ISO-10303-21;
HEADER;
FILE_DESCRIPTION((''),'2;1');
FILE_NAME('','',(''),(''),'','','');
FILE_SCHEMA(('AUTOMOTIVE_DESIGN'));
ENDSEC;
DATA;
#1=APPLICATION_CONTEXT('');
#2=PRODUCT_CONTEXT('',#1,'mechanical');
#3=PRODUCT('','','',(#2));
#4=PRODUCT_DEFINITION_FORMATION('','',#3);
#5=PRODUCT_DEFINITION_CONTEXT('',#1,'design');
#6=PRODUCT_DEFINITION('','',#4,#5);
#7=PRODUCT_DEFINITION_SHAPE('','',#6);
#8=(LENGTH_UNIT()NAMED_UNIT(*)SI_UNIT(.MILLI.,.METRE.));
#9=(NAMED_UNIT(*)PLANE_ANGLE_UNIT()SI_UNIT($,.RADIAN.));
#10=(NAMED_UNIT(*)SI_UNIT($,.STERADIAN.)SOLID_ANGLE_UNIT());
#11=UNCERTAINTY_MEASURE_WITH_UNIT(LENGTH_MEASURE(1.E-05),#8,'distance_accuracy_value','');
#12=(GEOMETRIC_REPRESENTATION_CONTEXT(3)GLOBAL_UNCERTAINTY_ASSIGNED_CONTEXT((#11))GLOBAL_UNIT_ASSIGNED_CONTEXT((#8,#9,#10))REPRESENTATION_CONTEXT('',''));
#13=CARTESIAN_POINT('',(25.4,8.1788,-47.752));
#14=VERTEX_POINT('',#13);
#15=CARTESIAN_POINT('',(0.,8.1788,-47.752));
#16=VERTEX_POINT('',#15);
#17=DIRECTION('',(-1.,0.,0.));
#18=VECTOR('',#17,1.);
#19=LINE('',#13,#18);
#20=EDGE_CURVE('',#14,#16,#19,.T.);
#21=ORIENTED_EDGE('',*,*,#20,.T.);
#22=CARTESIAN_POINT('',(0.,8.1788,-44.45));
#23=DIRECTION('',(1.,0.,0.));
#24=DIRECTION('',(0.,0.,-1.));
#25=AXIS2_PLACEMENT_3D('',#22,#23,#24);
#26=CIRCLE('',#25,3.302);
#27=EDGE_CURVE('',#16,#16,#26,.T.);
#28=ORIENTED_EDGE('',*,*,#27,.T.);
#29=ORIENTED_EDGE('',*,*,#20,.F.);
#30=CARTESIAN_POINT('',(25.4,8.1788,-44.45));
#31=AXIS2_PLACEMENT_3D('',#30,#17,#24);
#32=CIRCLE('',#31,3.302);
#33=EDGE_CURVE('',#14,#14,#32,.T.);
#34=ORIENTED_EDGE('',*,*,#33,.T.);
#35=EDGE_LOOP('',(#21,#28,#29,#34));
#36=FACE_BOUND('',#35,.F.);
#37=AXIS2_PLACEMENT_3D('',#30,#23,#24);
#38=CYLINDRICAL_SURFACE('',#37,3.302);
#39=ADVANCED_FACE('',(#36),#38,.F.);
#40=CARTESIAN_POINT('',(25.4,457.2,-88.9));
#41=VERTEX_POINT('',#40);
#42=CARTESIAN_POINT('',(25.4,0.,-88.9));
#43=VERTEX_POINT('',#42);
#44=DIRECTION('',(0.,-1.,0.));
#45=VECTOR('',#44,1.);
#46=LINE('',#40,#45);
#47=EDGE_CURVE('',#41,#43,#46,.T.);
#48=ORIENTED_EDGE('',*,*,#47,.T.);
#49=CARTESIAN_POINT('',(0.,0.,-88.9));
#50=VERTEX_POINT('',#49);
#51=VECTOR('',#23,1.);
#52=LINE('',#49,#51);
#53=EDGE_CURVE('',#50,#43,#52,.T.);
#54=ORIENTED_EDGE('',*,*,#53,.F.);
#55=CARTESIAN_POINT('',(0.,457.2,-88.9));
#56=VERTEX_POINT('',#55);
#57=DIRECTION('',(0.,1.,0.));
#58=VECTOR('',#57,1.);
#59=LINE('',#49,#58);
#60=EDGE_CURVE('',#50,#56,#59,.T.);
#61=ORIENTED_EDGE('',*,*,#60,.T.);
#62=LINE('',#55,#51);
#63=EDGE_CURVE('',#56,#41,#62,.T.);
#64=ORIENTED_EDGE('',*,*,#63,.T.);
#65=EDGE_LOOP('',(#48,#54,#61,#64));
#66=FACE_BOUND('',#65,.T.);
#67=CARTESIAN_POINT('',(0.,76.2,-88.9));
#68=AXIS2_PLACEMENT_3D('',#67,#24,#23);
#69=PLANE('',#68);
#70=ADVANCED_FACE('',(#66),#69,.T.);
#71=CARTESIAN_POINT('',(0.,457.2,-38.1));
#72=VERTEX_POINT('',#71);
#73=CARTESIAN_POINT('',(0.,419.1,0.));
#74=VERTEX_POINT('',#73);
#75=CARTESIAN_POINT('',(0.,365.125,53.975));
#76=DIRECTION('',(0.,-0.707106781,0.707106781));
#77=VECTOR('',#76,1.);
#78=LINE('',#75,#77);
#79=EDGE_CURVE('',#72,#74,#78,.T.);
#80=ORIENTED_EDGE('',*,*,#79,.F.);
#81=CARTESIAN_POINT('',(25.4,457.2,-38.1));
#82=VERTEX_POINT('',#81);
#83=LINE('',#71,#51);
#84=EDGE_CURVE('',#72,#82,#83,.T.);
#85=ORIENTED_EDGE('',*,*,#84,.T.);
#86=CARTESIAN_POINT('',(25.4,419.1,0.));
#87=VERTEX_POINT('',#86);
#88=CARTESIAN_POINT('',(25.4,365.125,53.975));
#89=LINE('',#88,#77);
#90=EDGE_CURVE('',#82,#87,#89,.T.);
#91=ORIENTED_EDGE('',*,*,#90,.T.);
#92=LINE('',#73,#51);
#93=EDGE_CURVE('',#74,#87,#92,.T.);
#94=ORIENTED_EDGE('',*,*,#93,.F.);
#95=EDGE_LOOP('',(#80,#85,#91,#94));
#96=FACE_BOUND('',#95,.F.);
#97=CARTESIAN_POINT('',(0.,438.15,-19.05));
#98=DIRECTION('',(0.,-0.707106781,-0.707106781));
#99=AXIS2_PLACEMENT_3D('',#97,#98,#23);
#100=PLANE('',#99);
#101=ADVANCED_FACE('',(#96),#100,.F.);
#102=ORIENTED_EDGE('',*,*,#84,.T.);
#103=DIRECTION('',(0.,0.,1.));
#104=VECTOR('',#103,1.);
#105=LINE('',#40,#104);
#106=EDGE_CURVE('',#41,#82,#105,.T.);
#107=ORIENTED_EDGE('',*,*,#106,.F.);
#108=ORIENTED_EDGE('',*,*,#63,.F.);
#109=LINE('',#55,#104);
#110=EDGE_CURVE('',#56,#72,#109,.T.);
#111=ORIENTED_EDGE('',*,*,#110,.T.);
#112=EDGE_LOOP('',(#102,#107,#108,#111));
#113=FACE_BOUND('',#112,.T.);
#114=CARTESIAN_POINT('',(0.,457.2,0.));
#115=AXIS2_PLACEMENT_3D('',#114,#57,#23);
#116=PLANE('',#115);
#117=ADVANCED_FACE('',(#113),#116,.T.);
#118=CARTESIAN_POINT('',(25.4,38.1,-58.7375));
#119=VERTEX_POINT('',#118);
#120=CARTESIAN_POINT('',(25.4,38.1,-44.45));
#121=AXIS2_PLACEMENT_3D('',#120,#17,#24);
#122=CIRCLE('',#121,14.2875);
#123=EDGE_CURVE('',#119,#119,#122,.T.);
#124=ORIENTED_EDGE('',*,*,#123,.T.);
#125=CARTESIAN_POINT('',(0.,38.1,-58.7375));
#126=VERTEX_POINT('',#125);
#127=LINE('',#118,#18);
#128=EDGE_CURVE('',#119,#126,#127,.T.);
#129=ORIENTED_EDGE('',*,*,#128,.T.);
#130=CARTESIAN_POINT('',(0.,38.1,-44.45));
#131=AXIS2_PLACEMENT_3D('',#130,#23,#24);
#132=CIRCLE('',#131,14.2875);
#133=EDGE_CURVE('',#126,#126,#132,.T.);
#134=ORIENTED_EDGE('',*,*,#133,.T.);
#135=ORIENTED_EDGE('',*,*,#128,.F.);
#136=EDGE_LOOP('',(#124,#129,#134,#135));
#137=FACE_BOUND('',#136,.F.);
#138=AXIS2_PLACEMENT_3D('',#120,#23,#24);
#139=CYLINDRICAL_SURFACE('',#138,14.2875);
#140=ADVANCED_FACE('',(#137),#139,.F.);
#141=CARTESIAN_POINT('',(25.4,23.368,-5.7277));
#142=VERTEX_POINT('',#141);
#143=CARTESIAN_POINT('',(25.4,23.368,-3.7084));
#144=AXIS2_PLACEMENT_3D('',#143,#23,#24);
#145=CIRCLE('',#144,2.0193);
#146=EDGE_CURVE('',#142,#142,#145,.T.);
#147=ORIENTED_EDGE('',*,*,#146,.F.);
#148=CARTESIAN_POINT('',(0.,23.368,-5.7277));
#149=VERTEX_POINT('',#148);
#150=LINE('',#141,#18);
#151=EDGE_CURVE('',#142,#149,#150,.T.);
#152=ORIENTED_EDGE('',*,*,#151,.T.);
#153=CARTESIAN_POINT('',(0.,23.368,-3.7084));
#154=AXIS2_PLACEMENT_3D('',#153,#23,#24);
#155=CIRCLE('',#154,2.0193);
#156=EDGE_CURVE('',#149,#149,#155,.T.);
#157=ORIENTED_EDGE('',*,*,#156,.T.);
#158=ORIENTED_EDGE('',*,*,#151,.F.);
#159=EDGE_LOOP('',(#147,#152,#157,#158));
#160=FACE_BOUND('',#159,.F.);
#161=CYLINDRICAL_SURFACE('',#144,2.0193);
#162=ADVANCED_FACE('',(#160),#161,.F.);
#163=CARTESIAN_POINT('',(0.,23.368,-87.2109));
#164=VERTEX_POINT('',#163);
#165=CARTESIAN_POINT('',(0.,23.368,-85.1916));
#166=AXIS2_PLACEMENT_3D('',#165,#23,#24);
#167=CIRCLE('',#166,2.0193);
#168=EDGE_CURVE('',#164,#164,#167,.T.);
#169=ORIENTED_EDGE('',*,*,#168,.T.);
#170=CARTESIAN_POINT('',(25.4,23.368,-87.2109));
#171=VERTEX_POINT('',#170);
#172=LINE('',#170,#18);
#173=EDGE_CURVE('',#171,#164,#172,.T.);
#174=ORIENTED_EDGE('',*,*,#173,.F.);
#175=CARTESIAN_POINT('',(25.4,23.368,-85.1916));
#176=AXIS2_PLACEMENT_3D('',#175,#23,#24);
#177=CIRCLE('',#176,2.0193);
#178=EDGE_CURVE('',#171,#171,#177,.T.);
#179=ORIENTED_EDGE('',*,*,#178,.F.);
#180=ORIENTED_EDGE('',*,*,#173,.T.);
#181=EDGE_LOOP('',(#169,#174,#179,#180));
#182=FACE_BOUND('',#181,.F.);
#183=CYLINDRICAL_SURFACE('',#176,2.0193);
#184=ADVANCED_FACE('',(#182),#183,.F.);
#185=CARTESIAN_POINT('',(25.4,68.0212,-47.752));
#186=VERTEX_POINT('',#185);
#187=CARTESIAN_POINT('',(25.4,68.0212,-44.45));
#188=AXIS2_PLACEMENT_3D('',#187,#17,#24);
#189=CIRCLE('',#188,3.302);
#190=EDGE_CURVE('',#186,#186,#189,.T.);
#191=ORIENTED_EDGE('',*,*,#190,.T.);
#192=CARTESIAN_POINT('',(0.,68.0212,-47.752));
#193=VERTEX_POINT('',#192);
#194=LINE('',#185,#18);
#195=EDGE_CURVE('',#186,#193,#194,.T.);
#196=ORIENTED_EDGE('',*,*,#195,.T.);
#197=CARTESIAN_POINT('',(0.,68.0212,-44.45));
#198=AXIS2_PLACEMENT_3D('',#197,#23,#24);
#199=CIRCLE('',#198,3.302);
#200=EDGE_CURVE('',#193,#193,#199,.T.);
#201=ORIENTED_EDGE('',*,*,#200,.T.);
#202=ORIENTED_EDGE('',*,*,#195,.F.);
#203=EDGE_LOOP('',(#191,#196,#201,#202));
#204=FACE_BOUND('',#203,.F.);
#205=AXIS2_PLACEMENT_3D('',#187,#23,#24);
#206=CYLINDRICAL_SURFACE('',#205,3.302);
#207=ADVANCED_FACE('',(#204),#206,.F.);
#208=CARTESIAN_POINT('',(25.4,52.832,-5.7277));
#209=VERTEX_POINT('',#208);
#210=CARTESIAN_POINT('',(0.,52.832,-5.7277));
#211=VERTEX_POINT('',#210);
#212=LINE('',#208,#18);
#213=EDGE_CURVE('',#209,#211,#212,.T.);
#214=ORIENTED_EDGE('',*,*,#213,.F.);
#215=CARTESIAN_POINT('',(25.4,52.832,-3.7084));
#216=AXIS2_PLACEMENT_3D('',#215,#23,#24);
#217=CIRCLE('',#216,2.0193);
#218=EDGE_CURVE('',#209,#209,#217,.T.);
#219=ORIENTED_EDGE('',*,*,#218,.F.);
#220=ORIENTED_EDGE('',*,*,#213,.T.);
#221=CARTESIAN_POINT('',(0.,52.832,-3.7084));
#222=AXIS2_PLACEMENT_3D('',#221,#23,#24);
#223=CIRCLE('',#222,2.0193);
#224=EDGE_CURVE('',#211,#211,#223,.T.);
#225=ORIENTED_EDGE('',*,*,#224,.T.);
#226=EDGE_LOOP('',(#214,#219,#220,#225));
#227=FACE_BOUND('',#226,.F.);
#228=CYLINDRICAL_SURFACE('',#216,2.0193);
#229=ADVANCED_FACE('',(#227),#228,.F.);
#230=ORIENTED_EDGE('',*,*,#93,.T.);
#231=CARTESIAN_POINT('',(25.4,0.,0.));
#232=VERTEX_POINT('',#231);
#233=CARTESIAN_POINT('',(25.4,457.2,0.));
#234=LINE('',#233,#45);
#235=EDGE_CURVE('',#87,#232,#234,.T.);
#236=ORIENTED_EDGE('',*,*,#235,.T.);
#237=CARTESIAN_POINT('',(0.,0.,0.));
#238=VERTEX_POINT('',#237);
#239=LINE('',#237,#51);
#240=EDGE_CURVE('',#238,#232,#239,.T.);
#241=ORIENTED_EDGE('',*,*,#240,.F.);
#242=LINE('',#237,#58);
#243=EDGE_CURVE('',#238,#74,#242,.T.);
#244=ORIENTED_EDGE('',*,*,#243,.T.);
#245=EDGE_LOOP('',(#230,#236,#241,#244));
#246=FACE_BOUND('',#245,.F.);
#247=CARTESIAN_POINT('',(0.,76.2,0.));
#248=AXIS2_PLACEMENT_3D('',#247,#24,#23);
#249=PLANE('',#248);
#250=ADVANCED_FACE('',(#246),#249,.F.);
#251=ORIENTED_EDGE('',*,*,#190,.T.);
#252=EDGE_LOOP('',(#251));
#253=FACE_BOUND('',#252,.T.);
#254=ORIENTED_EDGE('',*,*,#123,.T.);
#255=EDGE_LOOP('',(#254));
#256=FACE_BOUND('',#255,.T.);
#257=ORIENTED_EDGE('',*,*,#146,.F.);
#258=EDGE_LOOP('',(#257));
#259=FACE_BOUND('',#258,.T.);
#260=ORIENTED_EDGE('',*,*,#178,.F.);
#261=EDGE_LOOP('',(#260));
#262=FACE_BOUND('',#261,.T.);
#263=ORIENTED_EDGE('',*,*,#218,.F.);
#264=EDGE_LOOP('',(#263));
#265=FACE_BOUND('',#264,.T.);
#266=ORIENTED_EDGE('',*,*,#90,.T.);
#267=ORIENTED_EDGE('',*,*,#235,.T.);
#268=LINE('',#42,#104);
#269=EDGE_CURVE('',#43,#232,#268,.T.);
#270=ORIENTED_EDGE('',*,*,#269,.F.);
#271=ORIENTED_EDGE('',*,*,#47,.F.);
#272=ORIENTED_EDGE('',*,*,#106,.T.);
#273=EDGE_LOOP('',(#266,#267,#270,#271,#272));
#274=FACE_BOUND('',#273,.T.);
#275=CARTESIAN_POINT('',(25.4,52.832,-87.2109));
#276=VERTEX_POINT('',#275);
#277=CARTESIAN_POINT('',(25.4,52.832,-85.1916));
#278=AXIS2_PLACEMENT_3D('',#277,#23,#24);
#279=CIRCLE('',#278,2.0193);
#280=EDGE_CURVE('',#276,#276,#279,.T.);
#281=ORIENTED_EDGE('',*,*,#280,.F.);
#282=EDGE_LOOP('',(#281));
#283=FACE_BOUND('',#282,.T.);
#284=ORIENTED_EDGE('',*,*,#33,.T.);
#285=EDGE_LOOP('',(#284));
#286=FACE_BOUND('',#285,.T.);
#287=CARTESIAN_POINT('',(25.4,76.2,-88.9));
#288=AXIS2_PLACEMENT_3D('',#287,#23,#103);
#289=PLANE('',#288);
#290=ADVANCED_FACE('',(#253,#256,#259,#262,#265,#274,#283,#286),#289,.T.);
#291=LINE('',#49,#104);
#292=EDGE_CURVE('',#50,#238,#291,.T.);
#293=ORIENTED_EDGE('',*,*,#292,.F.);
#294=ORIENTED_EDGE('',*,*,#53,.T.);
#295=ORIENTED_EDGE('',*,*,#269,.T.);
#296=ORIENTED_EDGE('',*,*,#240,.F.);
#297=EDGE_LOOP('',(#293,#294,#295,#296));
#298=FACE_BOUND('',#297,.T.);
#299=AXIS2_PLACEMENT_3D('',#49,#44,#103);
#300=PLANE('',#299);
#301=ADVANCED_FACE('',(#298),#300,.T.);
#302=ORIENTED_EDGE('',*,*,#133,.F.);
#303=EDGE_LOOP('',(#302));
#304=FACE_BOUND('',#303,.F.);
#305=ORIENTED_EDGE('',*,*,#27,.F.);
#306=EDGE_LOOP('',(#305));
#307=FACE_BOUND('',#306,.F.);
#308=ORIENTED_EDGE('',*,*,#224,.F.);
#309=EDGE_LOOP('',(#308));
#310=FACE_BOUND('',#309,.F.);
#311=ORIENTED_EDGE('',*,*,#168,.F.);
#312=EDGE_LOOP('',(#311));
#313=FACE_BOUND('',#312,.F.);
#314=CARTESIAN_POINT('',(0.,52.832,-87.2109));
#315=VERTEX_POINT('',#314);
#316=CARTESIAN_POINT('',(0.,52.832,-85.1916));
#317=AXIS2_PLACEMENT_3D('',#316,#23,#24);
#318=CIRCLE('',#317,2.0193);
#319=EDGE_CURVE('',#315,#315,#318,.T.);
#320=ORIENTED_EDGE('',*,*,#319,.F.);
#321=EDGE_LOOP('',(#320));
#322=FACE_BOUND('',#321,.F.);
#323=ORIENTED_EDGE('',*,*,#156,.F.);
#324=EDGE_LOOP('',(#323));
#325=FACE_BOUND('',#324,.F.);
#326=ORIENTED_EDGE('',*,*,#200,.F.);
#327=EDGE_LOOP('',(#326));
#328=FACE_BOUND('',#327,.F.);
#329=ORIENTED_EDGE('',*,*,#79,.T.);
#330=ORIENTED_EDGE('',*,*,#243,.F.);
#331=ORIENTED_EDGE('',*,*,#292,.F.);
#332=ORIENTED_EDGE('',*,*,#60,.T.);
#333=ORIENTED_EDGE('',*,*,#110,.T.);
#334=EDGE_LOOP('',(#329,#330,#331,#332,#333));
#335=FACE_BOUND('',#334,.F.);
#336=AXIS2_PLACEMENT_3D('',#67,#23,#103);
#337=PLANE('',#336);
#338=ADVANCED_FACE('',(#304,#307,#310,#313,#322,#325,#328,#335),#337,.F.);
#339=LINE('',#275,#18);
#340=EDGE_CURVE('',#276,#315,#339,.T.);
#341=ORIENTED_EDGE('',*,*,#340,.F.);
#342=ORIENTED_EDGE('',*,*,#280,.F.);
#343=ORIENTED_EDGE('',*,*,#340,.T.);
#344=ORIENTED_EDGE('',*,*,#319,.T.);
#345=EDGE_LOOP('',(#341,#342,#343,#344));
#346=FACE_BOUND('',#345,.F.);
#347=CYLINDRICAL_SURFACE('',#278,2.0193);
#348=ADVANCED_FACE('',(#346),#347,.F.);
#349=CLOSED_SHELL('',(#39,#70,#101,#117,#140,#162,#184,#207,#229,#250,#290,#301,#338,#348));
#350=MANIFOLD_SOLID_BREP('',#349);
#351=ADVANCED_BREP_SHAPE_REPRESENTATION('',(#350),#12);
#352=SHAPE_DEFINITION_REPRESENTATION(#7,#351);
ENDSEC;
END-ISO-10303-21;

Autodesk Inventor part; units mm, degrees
ref_plane "YZ Plane" through (0, 0, 0) normal (1, 0, 0) x (0, 1, 0)
ref_plane "XZ Plane" through (0, 0, 0) normal (0, 1, 0) x (-1, 0, 0)
ref_plane "XY Plane" through (0, 0, 0) normal (0, 0, 1) x (1, 0, 0)
sketch "Sketch1" plane through (0, 0, 0) normal (1, 0, 0) x (0, 1, 0)
  line L0 (0, 0) -> (76.2, 0)
  line L1 (76.2, 0) -> (76.2, -88.9)
  line L2 (76.2, -88.9) -> (0, -88.9)
  line L3 (0, -88.9) -> (0, 0)
  dimension "d0" = 76.2
  dimension "d1" = 88.9
extrude "Extrusion1" add sketch "Sketch1" along normal blind 25.4
sketch "Sketch2" plane through (25.4, 0, 0) normal (1, 0, 0) x (0, 0, -1)
  line L0 (88.9, 76.2) -> (0, 76.2) projected
  line L1 (44.45, 76.2) -> (44.45, 0)
  line L2 (0, 0) -> (88.9, 0) projected
  circle A0 centre (44.45, 38.1) radius 14.2875
  line L3 (44.45, 38.1) -> (3.7084, 38.1)
  circle A1 centre (3.7084, 52.832) radius 2.0193
  circle A2 centre (3.7084, 23.368) radius 2.0193
  circle A3 centre (85.1916, 52.832) radius 2.0193
  circle A4 centre (85.1916, 23.368) radius 2.0193
  line L4 (44.45, 38.1) -> (44.45, 68.0212)
  circle A5 centre (44.45, 68.0212) radius 3.302
  circle A6 centre (44.45, 8.1788) radius 3.302
  point P0 (85.1916, 38.1)
  dimension "d4" = 28.575
  dimension "d5" = 40.7416
  dimension "d8" = 29.9212
  dimension "d9" = 6.604
extrude "Extrusion2" cut sketch "Sketch2" against normal up to surface (25.4 mm away)
sketch "Sketch3" plane through (0, 76.2, 0) normal (0, 1, 0) x (1, 0, 0)
  line L0 (0, 88.9) -> (0, 0) projected
  line L1 (0, 0) -> (25.4, 0) projected
  line L2 (25.4, 88.9) -> (25.4, 0) projected
  line L3 (0, 88.9) -> (25.4, 88.9) projected
extrude "Extrusion3" add sketch "Sketch3" along normal blind 381
chamfer "Chamfer1" distance 38.1 angle 45 1 edges at (12.7, 457.2, 0)
properties part number "launcherV2"
